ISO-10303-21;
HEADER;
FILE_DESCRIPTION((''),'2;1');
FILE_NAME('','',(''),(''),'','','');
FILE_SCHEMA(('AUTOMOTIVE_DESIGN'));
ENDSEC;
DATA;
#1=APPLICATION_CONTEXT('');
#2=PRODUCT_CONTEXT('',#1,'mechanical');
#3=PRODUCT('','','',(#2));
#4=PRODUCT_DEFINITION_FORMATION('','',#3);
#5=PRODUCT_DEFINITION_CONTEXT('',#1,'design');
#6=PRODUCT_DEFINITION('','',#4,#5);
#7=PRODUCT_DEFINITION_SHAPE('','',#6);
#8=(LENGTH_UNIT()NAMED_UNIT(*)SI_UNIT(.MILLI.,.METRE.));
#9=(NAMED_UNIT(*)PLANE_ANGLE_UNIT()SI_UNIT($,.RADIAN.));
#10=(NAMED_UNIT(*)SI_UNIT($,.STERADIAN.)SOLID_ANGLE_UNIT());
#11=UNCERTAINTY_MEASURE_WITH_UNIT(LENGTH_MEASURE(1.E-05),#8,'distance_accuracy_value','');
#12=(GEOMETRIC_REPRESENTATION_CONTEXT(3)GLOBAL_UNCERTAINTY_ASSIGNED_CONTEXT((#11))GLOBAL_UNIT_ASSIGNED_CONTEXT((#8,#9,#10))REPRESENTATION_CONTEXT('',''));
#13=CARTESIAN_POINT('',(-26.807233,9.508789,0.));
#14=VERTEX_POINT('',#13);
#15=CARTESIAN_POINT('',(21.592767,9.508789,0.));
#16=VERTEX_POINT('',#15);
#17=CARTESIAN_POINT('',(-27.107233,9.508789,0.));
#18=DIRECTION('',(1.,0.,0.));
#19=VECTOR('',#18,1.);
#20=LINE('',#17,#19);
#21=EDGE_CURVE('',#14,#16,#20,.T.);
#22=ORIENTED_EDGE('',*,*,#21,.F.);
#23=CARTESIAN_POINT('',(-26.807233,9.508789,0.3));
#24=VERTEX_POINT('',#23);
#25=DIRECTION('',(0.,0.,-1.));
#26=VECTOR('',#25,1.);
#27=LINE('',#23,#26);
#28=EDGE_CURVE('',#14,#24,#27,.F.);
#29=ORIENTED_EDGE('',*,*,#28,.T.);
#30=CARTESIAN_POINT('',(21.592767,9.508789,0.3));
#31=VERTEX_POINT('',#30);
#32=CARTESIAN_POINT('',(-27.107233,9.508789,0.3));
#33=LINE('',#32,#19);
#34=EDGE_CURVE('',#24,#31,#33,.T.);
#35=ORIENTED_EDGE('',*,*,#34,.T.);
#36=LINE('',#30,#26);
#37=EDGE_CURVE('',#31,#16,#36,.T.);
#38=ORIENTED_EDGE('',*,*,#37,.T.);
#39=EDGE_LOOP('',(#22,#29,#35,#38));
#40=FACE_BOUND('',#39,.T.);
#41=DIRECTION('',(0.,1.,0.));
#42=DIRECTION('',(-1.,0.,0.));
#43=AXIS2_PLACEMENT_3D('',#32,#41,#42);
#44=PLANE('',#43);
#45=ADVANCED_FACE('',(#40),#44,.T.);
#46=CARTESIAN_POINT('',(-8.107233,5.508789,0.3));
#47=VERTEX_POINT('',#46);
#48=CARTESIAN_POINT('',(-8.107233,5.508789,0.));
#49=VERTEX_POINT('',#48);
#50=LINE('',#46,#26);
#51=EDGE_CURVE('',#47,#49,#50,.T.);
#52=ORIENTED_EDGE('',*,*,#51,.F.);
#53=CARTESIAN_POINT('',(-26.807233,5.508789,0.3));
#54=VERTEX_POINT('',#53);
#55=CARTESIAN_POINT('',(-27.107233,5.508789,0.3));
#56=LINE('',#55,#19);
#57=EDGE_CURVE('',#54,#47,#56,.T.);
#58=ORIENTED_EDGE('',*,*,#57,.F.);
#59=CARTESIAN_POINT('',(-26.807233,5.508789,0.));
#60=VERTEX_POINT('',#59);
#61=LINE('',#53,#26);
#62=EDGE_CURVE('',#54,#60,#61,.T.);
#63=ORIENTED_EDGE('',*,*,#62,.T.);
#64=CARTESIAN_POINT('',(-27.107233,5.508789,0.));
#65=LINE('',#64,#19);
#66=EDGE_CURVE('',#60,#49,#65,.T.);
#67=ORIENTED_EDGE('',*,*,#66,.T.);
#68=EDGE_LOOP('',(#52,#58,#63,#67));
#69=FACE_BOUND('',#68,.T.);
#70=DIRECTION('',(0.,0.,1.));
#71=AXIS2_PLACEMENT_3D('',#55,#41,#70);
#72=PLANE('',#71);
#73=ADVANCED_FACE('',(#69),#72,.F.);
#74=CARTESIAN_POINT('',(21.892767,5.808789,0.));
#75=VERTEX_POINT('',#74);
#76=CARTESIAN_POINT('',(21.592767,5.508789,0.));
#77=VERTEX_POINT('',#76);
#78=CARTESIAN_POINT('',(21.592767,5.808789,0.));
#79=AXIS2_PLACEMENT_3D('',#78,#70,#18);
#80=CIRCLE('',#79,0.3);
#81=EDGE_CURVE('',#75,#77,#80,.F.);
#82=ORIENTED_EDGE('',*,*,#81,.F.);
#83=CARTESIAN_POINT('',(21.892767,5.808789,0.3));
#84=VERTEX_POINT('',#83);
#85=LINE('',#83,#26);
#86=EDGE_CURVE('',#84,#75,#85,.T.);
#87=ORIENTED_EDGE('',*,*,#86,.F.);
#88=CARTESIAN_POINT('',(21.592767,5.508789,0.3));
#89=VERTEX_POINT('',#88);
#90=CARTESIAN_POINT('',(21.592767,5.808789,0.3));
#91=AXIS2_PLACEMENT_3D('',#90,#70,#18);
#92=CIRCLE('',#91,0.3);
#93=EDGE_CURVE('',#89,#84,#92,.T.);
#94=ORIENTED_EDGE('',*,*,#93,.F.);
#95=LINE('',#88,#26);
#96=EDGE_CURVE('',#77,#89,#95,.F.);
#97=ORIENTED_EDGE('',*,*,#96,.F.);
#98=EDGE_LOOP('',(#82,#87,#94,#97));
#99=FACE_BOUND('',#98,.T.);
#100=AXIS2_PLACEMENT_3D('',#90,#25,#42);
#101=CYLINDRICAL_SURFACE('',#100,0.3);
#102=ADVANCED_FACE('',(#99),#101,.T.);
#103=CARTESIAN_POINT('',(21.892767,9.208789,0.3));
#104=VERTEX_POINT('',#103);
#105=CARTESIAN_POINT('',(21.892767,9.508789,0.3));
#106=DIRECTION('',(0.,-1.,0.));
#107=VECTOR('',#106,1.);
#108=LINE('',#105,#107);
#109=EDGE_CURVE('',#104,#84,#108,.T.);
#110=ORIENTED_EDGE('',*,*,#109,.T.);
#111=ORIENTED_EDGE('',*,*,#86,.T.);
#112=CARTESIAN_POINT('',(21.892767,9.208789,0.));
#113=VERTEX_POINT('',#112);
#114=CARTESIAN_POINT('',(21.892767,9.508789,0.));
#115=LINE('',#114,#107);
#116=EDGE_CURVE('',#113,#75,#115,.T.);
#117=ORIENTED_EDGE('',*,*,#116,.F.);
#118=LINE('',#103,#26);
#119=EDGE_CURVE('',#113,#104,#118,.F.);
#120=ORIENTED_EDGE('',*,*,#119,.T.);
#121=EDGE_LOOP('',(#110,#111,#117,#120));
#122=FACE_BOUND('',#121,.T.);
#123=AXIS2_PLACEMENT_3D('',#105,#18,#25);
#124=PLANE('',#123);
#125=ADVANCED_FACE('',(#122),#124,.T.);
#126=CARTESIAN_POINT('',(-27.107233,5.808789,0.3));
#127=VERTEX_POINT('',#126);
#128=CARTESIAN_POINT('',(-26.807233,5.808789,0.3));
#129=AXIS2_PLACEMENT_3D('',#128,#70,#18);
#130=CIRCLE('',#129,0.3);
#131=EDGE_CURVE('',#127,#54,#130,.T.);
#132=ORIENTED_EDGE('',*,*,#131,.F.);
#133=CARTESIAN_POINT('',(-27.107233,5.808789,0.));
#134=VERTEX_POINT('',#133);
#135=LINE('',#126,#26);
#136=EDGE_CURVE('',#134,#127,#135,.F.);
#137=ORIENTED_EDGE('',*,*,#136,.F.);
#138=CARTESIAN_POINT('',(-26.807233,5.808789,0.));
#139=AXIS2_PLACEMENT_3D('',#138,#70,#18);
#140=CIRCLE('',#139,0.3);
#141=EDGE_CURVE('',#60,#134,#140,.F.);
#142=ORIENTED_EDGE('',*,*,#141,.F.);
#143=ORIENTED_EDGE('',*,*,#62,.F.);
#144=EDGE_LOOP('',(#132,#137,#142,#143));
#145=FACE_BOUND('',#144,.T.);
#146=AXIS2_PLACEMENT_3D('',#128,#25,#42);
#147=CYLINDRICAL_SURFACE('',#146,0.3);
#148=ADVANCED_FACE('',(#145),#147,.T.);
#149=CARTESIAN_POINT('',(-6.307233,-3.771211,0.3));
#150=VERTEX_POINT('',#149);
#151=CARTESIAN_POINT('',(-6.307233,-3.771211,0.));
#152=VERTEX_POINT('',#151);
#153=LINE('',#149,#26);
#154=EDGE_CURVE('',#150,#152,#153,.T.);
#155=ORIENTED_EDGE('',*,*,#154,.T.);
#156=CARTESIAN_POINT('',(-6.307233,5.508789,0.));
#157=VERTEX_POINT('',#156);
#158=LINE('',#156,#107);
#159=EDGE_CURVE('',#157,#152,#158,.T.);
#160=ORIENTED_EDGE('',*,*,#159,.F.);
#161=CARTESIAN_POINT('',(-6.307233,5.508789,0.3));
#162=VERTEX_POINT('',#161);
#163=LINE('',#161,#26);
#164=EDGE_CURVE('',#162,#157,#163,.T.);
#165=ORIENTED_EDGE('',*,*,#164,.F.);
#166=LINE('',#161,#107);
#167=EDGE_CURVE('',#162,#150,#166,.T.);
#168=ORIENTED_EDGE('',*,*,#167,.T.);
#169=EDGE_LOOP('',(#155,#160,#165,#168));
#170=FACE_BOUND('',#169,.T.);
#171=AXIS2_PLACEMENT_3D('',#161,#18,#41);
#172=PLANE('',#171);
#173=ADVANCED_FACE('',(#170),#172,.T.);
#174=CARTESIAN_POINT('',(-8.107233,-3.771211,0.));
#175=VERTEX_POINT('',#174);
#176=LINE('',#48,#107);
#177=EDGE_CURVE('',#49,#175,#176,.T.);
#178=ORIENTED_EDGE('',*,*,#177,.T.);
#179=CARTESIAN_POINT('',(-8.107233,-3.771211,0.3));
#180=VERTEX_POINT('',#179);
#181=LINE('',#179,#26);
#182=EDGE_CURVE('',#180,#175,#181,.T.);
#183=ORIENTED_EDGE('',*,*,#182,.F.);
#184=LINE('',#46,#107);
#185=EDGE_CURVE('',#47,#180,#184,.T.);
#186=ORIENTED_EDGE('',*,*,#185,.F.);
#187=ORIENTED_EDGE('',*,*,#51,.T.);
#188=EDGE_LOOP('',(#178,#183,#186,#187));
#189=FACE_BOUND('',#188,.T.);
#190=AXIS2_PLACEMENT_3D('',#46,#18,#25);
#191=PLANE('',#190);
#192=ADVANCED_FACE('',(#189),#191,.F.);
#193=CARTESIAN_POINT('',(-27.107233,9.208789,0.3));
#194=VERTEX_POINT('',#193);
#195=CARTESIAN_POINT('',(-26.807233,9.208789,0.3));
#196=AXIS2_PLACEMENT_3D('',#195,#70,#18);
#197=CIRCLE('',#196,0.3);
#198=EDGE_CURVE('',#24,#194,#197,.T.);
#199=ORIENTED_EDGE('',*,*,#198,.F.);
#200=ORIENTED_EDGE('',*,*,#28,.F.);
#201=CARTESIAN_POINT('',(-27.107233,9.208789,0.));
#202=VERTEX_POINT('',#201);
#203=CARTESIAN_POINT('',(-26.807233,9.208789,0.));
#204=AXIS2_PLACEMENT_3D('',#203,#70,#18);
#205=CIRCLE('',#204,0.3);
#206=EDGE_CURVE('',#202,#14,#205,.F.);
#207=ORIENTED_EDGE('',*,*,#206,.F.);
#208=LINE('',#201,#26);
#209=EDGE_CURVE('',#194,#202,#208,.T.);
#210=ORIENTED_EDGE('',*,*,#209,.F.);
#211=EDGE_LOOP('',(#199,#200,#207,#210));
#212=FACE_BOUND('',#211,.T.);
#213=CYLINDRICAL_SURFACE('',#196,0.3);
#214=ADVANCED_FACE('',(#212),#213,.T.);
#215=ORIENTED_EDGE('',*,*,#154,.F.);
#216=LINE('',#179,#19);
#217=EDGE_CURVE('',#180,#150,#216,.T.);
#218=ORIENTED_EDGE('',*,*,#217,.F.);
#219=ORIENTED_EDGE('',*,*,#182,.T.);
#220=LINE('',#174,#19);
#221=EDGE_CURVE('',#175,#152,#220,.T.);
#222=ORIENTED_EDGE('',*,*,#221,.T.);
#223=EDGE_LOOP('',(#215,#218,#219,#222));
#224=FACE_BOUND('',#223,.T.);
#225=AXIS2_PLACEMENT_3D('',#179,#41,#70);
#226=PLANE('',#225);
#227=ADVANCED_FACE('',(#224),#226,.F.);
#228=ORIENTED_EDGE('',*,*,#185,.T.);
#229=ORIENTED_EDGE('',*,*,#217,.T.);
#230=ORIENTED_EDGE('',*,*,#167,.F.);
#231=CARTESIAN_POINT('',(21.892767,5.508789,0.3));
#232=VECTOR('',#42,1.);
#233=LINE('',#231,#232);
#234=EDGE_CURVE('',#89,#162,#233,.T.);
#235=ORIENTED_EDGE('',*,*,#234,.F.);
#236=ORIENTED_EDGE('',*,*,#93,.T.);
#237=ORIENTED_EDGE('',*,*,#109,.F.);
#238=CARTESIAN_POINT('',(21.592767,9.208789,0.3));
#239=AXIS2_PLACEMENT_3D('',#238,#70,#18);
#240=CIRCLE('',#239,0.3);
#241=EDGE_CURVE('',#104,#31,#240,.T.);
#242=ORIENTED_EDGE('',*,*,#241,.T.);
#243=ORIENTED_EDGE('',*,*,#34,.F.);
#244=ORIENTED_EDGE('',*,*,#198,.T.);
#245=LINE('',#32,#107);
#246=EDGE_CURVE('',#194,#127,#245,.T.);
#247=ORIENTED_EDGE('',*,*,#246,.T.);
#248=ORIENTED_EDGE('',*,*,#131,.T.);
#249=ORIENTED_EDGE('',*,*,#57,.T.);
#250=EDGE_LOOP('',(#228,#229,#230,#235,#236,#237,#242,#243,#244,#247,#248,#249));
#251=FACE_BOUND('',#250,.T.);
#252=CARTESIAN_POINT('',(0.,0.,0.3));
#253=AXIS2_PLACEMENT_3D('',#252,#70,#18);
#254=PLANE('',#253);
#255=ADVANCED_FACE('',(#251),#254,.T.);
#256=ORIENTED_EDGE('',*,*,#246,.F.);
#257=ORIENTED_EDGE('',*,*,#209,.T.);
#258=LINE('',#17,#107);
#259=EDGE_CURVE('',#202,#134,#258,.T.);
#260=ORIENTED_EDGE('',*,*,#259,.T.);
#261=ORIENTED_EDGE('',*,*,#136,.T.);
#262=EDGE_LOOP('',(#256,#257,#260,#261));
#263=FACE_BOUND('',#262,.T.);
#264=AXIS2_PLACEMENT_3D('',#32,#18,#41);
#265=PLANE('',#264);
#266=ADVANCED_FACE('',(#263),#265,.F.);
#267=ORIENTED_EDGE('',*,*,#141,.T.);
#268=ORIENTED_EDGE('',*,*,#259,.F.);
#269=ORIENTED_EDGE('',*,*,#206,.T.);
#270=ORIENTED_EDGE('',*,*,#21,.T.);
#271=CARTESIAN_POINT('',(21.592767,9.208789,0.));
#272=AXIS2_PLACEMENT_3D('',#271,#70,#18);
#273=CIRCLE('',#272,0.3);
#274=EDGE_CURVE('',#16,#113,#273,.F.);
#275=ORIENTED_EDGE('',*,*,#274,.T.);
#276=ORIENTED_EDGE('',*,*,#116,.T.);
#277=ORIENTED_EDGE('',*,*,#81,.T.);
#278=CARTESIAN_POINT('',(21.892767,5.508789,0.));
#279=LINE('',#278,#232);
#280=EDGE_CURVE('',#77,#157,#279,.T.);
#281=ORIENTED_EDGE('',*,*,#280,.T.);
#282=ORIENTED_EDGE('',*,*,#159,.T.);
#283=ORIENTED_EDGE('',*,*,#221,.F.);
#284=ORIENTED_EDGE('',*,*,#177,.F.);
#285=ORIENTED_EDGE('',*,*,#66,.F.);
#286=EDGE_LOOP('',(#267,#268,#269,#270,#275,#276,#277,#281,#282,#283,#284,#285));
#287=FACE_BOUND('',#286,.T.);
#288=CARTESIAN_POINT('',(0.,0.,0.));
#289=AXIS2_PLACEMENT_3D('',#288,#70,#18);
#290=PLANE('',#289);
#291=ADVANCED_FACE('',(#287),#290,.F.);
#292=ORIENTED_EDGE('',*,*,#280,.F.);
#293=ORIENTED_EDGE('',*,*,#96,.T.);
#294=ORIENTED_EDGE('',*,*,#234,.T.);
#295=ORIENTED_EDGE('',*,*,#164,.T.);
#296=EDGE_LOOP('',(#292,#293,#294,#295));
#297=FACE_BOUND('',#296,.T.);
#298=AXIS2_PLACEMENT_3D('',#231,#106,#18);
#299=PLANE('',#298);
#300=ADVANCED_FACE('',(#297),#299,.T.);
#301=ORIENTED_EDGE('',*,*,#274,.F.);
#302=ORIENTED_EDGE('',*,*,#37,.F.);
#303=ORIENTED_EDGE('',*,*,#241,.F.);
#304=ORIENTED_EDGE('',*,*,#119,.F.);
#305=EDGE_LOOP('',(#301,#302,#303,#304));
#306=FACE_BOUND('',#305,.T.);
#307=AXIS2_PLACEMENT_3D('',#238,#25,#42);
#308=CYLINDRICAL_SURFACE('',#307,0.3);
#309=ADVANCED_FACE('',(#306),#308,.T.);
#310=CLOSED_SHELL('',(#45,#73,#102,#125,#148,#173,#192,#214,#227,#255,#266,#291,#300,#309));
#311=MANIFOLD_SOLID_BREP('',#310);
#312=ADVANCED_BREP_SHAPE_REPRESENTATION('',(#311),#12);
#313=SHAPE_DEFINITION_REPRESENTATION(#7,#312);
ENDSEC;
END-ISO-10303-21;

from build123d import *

# Parameters (mm, degrees)
EXTRUDE_1_DEPTH = 0.3
FILLET_1_R      = 0.3


with BuildPart() as part:
    # Sketch 1 → Extrude 1 (new body)
    with BuildSketch(Plane.XY):
        Polygon((-27.107233061, 9.508788635), (21.892766939, 9.508788635), (21.892766939, 5.508788635), (-6.307233061, 5.508788635), (-6.307233061, -3.771211365), (-8.107233061, -3.771211365), (-8.107233061, 5.508788635), (-27.107233061, 5.508788635), align=None)
    extrude(amount=EXTRUDE_1_DEPTH)

    # Fillet 1
    fillet_1_edges = [part.edges().sort_by_distance(p)[0] for p in [
        (21.892766939, 5.508788635, 0.15),
        (21.892766939, 9.508788635, 0.15),
        (-27.107233061, 9.508788635, 0.15),
        (-27.107233061, 5.508788635, 0.15),
    ]]
    fillet(fillet_1_edges, radius=FILLET_1_R)


solid = part.part
